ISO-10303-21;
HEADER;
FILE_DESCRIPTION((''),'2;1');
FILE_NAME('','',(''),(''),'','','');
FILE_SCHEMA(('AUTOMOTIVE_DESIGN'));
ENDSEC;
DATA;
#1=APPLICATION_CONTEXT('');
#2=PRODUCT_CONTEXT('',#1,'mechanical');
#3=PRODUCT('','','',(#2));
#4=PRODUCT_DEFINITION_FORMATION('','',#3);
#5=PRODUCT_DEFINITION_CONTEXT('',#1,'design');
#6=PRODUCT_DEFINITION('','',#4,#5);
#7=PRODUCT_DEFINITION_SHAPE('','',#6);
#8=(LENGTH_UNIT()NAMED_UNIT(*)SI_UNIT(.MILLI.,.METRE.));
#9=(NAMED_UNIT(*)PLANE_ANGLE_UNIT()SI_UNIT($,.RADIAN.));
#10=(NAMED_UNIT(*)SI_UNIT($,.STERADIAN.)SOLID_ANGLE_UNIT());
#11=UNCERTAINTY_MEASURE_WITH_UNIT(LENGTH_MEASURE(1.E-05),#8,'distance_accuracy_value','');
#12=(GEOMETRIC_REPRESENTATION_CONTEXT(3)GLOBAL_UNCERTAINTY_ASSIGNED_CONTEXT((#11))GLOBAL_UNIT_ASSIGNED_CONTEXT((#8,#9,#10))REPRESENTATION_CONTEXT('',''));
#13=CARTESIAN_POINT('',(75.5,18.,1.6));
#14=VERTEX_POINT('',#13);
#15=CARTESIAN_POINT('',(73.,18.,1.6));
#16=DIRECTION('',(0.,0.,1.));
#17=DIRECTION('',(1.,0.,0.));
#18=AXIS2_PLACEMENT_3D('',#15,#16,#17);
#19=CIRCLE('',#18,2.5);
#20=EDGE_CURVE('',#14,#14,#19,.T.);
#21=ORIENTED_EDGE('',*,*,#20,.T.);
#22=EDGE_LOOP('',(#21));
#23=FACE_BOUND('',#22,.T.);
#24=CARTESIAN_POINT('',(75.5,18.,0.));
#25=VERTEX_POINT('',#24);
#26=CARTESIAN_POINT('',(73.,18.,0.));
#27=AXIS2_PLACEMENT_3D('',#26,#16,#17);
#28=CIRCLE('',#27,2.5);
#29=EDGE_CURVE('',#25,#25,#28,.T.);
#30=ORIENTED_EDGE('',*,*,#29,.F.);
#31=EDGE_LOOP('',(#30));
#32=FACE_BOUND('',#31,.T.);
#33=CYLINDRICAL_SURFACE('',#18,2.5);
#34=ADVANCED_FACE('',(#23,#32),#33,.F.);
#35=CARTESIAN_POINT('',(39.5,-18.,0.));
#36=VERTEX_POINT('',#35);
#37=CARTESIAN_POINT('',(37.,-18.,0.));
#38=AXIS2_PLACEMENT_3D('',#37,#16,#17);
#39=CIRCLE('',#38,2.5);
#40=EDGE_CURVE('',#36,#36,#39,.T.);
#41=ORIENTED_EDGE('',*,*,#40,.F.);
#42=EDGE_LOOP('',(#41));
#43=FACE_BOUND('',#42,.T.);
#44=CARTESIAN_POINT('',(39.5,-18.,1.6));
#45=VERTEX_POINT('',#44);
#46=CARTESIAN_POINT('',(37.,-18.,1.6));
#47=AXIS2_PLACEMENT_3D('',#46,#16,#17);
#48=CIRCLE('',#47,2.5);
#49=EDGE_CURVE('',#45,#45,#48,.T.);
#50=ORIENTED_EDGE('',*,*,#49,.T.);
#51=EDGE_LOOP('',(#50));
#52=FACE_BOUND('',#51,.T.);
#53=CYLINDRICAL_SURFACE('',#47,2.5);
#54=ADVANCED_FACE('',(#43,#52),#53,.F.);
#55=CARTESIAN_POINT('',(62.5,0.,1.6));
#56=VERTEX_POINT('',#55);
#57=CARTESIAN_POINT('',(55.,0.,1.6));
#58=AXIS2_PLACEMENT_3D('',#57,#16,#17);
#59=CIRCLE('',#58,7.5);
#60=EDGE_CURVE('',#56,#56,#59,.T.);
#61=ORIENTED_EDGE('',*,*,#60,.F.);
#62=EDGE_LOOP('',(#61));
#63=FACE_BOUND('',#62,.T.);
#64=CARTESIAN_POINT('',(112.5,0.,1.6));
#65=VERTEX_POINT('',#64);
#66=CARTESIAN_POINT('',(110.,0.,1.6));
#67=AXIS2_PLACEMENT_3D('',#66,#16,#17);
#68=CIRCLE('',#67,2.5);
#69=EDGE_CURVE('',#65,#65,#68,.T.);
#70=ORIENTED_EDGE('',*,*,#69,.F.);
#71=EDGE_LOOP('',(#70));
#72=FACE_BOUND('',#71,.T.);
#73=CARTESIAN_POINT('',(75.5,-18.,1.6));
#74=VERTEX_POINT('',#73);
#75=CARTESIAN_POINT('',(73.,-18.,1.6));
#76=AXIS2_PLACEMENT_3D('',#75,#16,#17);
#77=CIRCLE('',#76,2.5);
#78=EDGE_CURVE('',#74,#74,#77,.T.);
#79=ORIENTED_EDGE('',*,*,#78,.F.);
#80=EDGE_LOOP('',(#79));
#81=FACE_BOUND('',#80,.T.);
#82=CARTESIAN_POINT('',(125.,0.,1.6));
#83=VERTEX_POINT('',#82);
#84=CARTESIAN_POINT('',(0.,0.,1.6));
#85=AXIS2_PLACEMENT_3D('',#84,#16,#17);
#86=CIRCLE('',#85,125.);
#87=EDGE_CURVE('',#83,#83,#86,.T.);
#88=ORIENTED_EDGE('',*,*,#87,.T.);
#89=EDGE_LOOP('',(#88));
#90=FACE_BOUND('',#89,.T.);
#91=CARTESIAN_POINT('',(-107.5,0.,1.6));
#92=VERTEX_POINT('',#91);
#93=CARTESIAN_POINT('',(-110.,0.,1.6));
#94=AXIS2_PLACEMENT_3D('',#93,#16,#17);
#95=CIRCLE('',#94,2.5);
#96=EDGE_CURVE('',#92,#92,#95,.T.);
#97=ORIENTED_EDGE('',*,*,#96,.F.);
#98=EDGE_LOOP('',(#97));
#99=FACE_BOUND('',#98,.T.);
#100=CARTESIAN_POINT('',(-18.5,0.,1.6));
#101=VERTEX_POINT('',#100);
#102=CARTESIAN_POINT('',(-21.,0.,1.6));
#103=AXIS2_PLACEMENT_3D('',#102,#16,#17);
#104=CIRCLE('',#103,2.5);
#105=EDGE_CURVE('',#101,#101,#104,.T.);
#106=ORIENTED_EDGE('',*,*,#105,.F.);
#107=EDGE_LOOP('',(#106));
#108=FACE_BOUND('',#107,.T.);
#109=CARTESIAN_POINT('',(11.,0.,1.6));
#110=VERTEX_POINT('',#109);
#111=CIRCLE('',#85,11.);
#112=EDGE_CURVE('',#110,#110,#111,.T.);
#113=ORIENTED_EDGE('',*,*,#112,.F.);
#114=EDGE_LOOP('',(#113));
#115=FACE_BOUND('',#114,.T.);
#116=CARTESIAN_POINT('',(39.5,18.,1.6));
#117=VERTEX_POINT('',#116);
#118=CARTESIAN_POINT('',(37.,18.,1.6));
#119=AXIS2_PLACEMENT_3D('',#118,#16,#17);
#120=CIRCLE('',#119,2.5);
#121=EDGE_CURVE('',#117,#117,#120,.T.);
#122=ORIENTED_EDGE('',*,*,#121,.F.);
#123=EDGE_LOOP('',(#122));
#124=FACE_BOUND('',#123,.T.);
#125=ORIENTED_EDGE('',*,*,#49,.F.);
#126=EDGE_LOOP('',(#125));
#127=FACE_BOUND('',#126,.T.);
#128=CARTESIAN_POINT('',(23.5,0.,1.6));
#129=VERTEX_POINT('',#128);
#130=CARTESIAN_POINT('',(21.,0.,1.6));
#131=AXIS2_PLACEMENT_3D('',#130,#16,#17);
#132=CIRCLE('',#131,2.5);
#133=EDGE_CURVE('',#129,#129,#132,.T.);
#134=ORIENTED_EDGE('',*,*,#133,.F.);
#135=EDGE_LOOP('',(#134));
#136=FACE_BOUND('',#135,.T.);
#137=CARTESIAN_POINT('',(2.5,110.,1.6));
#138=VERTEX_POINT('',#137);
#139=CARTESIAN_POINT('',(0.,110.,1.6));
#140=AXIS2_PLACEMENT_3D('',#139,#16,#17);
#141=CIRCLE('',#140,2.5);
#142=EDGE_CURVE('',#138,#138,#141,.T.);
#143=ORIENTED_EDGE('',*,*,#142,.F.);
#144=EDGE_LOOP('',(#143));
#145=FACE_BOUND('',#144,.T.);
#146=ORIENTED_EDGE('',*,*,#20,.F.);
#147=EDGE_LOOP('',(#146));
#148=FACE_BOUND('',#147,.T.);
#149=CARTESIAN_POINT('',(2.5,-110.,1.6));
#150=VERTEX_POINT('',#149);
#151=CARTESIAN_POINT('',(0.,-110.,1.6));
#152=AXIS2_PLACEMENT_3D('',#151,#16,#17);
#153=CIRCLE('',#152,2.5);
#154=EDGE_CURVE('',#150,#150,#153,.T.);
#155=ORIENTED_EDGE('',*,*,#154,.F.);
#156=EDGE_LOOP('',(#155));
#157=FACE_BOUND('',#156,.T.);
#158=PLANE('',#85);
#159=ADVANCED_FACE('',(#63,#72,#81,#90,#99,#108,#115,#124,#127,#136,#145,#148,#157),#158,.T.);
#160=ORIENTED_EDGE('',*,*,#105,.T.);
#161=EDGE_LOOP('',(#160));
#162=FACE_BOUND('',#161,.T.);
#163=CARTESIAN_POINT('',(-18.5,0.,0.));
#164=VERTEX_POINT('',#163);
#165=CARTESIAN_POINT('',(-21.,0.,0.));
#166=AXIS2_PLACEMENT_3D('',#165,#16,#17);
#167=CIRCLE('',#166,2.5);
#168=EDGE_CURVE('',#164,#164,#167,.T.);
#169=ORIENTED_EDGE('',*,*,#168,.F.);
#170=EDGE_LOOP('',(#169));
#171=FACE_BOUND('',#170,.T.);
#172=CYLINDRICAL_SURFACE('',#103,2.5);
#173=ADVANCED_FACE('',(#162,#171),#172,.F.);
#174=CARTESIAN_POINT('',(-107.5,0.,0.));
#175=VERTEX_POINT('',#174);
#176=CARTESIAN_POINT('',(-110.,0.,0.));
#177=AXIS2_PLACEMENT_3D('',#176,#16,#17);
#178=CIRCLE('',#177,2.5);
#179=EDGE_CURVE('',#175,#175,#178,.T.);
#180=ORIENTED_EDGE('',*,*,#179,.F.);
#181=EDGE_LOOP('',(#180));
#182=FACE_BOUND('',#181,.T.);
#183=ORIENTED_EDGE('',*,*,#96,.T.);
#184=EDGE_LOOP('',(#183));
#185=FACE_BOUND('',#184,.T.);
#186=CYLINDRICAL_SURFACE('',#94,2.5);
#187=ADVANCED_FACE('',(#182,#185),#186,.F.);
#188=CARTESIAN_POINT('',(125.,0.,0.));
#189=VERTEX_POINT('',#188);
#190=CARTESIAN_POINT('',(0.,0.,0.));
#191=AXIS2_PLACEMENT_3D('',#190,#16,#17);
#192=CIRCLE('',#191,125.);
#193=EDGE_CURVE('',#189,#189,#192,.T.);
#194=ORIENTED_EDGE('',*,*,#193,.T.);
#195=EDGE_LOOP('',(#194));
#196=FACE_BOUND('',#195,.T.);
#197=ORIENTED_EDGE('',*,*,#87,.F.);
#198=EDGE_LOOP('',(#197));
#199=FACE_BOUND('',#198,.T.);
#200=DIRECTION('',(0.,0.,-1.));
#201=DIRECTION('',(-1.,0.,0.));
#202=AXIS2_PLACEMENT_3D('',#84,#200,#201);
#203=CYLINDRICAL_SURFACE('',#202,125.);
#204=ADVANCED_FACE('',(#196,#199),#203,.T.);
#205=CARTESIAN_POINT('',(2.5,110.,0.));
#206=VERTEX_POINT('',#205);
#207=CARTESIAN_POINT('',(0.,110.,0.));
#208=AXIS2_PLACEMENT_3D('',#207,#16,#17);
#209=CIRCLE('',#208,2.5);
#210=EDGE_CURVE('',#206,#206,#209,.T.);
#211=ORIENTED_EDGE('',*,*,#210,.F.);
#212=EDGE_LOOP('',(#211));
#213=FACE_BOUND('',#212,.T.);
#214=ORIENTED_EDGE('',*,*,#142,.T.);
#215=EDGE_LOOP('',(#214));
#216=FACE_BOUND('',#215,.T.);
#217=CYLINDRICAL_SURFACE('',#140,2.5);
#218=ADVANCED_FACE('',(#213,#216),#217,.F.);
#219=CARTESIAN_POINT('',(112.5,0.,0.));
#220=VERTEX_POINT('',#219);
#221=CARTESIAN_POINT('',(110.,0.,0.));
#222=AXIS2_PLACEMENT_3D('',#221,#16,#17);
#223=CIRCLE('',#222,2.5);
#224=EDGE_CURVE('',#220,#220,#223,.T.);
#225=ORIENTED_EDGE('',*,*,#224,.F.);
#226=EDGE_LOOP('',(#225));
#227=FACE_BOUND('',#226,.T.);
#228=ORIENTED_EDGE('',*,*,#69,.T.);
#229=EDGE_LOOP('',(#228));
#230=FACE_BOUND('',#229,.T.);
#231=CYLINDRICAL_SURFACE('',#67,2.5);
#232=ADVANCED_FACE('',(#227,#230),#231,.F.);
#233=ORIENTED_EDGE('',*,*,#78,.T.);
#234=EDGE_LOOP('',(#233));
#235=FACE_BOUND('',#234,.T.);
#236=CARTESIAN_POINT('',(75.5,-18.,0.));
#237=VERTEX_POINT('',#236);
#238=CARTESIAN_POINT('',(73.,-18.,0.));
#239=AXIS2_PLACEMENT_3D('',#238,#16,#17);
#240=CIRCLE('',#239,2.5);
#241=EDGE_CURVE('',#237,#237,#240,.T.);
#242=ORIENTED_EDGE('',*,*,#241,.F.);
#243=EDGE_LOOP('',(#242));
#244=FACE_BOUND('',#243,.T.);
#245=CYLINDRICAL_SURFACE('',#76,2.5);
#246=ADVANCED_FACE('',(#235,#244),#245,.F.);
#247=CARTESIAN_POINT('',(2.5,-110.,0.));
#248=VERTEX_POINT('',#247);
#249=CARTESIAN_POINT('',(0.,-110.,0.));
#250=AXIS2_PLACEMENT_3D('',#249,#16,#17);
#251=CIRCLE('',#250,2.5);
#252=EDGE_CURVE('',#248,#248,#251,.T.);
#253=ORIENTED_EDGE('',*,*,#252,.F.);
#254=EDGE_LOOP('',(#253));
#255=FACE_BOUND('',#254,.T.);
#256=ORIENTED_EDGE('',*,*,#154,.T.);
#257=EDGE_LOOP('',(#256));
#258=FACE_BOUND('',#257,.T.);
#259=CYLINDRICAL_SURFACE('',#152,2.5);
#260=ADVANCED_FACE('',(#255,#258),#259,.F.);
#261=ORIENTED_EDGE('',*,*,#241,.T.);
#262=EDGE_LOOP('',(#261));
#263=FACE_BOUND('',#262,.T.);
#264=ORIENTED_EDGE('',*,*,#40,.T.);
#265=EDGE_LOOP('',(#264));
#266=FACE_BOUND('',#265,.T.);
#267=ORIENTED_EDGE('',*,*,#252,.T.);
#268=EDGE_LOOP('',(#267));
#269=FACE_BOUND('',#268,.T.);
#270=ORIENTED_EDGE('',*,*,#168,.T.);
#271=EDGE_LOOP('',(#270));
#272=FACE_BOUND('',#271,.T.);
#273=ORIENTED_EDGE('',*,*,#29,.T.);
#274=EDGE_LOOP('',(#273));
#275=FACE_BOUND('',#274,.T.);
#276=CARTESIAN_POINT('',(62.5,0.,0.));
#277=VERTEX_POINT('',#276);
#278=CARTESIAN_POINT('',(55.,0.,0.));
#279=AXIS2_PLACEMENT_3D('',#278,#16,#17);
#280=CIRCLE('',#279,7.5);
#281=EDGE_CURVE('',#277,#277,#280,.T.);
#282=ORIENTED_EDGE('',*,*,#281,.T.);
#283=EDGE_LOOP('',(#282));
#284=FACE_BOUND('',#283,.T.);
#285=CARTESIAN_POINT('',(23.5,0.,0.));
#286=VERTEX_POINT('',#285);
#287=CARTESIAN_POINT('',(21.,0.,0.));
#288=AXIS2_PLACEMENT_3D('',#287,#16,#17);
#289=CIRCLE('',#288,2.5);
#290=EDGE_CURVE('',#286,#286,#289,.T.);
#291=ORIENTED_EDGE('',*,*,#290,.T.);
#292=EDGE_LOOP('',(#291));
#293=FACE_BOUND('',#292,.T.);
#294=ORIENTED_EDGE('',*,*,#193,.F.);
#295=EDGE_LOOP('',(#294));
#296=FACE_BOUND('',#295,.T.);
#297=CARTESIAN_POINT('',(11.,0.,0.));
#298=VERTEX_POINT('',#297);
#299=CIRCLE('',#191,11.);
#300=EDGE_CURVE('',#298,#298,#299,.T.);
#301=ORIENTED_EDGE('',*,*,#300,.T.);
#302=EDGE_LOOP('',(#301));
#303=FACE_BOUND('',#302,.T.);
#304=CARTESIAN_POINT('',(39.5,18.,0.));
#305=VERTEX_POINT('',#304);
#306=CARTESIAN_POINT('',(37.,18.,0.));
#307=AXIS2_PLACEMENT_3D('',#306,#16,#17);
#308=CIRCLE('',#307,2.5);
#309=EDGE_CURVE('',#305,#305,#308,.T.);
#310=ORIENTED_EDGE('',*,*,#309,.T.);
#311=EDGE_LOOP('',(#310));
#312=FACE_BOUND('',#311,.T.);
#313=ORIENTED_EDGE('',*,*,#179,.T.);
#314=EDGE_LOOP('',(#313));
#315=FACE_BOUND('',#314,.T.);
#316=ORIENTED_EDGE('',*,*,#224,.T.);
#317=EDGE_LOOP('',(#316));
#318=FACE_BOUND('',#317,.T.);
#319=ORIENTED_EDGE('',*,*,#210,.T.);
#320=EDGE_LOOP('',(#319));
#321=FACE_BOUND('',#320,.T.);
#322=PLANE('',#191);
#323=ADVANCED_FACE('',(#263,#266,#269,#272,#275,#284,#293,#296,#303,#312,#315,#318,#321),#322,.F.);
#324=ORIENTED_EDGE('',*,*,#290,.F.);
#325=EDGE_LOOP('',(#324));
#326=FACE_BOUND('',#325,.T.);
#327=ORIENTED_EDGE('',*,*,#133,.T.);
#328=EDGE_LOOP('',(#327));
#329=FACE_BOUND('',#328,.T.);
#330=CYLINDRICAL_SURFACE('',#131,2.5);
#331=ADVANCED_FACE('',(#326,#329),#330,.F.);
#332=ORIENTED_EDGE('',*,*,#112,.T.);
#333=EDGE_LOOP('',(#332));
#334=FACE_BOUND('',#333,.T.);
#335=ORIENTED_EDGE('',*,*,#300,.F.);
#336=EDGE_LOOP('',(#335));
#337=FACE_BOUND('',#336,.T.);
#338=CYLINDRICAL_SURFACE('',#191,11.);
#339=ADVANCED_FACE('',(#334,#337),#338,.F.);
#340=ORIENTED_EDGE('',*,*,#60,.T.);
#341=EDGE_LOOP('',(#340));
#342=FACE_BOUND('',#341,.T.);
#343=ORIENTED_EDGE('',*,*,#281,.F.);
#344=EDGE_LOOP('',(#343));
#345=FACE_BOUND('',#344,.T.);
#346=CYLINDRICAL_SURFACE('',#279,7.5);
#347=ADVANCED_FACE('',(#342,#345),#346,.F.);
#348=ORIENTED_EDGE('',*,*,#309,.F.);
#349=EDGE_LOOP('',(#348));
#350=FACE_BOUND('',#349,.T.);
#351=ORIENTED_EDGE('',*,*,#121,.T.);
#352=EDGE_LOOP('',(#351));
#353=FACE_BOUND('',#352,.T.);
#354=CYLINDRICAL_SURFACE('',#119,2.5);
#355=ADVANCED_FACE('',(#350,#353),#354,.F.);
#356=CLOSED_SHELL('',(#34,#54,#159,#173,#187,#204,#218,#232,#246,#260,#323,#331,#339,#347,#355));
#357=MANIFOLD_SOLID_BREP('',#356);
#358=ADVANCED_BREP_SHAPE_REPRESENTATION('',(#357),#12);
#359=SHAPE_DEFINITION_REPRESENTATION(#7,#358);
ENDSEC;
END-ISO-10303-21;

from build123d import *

# Parameters (mm, degrees)
SKETCH_1_R          = 125
EXTRUDE_1_DEPTH     = 1.6
SKETCH_2_R          = 11
CUT_EXTRUDE_1_DEPTH = 177.783935922
SKETCH_3_R          = 7.5
CUT_EXTRUDE_2_DEPTH = 177.783935922
M6X1_0_1_D          = 5
M6X1_0_2_D          = 5
M6X1_0_3_D          = 5
M6X1_0_4_D          = 5
M6X1_0_5_D          = 5
M6X1_0_6_D          = 5


with BuildPart() as part:
    # ｽｹｯﾁ1 → ﾎﾞｽ - 押し出し1 (new body)
    with BuildSketch(Plane.XY):
        Circle(SKETCH_1_R)
    extrude(amount=EXTRUDE_1_DEPTH)

    # ｽｹｯﾁ2 → ｶｯﾄ - 押し出し1 (cut, through all)
    with BuildSketch(Plane.XY.offset(1.6)):
        Circle(SKETCH_2_R)
    extrude(amount=-CUT_EXTRUDE_1_DEPTH, mode=Mode.SUBTRACT)

    # ｽｹｯﾁ3 → ｶｯﾄ - 押し出し2 (cut, through all)
    with BuildSketch(Plane.XY.offset(1.6)):
        with Locations((55, 0)):
            Circle(SKETCH_3_R)
    extrude(amount=-CUT_EXTRUDE_2_DEPTH, mode=Mode.SUBTRACT)

    # M6x1.0 ねじ穴1 (through all)
    with Locations(Plane(origin=(110, 0, 1.6), x_dir=(1, 0, 0), z_dir=(0, 0, 1))):
        with Locations((0, 0)):
            Hole(M6X1_0_1_D / 2)

    # M6x1.0 ねじ穴2 (through all)
    with Locations(Plane(origin=(-110, 0, 1.6), x_dir=(1, 0, 0), z_dir=(0, 0, 1))):
        with Locations((0, 0)):
            Hole(M6X1_0_2_D / 2)

    # M6x1.0 ねじ穴3 (through all)
    with Locations(Plane(origin=(-21, 0, 1.6), x_dir=(1, 0, 0), z_dir=(0, 0, 1))):
        with Locations((0, 0)):
            Hole(M6X1_0_3_D / 2)

    # M6x1.0 ねじ穴4 (through all)
    with Locations(Plane(origin=(21, 0, 1.6), x_dir=(1, 0, 0), z_dir=(0, 0, 1))):
        with Locations((0, 0)):
            Hole(M6X1_0_4_D / 2)

    # M6x1.0 ねじ穴5 (through all)
    with Locations(Plane(origin=(37, 18, 1.6), x_dir=(1, 0, 0), z_dir=(0, 0, 1))):
        with Locations((0, 0), (36, 0), (36, -36), (0, -36)):
            Hole(M6X1_0_5_D / 2)

    # M6x1.0 ねじ穴6 (through all)
    with Locations(Plane(origin=(0, 110, 1.6), x_dir=(1, 0, 0), z_dir=(0, 0, 1))):
        with Locations((0, 0), (0, -220)):
            Hole(M6X1_0_6_D / 2)


solid = part.part
